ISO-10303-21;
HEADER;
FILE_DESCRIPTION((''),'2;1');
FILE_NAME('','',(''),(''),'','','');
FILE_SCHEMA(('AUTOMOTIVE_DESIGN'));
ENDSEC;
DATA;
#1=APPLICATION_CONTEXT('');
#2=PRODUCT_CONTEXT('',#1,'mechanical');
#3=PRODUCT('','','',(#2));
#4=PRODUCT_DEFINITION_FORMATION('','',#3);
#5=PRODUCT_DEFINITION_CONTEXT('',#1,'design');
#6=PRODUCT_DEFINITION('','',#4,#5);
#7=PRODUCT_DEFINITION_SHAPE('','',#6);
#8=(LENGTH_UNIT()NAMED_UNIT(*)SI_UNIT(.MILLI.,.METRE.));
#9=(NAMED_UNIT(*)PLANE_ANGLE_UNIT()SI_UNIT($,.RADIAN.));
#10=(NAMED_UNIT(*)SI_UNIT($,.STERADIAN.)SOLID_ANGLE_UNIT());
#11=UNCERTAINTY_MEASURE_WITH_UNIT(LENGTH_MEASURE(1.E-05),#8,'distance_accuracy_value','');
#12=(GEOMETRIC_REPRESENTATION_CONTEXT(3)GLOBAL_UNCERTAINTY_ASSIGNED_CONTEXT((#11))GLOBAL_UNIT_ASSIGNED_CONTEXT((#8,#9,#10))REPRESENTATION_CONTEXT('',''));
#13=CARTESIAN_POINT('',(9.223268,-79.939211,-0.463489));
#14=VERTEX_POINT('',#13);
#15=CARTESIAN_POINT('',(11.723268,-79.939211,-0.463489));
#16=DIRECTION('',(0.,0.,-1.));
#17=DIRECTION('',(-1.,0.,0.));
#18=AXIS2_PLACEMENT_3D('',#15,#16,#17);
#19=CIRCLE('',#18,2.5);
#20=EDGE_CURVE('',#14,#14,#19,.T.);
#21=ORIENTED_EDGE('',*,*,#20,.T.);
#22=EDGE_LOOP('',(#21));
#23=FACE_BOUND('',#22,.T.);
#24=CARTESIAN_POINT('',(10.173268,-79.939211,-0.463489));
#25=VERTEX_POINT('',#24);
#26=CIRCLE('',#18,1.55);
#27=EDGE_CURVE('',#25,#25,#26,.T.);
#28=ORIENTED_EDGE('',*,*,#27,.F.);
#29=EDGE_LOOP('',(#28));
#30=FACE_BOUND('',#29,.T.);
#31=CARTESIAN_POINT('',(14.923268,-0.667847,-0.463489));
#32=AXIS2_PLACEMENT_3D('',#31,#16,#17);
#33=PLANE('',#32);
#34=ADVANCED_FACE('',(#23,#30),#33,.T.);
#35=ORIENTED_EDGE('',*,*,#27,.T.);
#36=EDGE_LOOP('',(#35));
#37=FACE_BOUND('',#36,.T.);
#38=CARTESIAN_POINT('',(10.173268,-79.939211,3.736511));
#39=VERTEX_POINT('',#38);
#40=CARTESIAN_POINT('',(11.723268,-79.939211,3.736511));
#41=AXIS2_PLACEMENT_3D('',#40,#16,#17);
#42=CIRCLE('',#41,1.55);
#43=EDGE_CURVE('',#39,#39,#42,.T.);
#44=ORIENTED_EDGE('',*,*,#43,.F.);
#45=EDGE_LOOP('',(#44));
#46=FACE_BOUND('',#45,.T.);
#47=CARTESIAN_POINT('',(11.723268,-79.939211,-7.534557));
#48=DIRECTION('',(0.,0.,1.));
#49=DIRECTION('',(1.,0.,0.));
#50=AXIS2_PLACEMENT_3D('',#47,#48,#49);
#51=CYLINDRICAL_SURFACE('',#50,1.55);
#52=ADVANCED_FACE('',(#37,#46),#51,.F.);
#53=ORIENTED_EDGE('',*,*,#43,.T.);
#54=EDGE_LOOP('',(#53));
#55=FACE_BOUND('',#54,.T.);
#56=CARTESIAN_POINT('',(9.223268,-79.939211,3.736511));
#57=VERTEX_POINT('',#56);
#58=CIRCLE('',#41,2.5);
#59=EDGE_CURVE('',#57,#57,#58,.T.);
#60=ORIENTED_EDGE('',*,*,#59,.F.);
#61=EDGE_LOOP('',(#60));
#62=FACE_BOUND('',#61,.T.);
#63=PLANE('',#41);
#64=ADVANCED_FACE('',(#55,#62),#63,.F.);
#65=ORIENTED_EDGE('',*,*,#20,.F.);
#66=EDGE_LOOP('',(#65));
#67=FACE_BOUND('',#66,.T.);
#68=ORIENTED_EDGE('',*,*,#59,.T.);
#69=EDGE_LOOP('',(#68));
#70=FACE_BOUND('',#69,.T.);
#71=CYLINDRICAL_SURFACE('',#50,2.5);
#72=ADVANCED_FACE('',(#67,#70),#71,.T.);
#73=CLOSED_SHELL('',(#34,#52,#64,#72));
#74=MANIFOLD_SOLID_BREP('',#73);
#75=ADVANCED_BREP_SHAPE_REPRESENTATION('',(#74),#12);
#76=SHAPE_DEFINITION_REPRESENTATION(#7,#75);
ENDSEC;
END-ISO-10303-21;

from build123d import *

# Parameters (mm, degrees)
ESBO_O1_R                = 2.5
ESBO_O1_R_2              = 1.55
RESSALTO_EXTRUS_O1_DEPTH = 4.2


with BuildPart() as part:
    # Esboço1 → Ressalto-extrusão1 (new body)
    with BuildSketch(Plane(origin=(0, 0, 3.7365107), x_dir=(-1, 0, 0), z_dir=(0, 0, -1))):
        with Locations((-11.723268008, -79.93921115)):
            Circle(ESBO_O1_R)
        with Locations((-11.723268008, -79.93921115)):
            Circle(ESBO_O1_R_2, mode=Mode.SUBTRACT)
    extrude(amount=RESSALTO_EXTRUS_O1_DEPTH)


solid = part.part
